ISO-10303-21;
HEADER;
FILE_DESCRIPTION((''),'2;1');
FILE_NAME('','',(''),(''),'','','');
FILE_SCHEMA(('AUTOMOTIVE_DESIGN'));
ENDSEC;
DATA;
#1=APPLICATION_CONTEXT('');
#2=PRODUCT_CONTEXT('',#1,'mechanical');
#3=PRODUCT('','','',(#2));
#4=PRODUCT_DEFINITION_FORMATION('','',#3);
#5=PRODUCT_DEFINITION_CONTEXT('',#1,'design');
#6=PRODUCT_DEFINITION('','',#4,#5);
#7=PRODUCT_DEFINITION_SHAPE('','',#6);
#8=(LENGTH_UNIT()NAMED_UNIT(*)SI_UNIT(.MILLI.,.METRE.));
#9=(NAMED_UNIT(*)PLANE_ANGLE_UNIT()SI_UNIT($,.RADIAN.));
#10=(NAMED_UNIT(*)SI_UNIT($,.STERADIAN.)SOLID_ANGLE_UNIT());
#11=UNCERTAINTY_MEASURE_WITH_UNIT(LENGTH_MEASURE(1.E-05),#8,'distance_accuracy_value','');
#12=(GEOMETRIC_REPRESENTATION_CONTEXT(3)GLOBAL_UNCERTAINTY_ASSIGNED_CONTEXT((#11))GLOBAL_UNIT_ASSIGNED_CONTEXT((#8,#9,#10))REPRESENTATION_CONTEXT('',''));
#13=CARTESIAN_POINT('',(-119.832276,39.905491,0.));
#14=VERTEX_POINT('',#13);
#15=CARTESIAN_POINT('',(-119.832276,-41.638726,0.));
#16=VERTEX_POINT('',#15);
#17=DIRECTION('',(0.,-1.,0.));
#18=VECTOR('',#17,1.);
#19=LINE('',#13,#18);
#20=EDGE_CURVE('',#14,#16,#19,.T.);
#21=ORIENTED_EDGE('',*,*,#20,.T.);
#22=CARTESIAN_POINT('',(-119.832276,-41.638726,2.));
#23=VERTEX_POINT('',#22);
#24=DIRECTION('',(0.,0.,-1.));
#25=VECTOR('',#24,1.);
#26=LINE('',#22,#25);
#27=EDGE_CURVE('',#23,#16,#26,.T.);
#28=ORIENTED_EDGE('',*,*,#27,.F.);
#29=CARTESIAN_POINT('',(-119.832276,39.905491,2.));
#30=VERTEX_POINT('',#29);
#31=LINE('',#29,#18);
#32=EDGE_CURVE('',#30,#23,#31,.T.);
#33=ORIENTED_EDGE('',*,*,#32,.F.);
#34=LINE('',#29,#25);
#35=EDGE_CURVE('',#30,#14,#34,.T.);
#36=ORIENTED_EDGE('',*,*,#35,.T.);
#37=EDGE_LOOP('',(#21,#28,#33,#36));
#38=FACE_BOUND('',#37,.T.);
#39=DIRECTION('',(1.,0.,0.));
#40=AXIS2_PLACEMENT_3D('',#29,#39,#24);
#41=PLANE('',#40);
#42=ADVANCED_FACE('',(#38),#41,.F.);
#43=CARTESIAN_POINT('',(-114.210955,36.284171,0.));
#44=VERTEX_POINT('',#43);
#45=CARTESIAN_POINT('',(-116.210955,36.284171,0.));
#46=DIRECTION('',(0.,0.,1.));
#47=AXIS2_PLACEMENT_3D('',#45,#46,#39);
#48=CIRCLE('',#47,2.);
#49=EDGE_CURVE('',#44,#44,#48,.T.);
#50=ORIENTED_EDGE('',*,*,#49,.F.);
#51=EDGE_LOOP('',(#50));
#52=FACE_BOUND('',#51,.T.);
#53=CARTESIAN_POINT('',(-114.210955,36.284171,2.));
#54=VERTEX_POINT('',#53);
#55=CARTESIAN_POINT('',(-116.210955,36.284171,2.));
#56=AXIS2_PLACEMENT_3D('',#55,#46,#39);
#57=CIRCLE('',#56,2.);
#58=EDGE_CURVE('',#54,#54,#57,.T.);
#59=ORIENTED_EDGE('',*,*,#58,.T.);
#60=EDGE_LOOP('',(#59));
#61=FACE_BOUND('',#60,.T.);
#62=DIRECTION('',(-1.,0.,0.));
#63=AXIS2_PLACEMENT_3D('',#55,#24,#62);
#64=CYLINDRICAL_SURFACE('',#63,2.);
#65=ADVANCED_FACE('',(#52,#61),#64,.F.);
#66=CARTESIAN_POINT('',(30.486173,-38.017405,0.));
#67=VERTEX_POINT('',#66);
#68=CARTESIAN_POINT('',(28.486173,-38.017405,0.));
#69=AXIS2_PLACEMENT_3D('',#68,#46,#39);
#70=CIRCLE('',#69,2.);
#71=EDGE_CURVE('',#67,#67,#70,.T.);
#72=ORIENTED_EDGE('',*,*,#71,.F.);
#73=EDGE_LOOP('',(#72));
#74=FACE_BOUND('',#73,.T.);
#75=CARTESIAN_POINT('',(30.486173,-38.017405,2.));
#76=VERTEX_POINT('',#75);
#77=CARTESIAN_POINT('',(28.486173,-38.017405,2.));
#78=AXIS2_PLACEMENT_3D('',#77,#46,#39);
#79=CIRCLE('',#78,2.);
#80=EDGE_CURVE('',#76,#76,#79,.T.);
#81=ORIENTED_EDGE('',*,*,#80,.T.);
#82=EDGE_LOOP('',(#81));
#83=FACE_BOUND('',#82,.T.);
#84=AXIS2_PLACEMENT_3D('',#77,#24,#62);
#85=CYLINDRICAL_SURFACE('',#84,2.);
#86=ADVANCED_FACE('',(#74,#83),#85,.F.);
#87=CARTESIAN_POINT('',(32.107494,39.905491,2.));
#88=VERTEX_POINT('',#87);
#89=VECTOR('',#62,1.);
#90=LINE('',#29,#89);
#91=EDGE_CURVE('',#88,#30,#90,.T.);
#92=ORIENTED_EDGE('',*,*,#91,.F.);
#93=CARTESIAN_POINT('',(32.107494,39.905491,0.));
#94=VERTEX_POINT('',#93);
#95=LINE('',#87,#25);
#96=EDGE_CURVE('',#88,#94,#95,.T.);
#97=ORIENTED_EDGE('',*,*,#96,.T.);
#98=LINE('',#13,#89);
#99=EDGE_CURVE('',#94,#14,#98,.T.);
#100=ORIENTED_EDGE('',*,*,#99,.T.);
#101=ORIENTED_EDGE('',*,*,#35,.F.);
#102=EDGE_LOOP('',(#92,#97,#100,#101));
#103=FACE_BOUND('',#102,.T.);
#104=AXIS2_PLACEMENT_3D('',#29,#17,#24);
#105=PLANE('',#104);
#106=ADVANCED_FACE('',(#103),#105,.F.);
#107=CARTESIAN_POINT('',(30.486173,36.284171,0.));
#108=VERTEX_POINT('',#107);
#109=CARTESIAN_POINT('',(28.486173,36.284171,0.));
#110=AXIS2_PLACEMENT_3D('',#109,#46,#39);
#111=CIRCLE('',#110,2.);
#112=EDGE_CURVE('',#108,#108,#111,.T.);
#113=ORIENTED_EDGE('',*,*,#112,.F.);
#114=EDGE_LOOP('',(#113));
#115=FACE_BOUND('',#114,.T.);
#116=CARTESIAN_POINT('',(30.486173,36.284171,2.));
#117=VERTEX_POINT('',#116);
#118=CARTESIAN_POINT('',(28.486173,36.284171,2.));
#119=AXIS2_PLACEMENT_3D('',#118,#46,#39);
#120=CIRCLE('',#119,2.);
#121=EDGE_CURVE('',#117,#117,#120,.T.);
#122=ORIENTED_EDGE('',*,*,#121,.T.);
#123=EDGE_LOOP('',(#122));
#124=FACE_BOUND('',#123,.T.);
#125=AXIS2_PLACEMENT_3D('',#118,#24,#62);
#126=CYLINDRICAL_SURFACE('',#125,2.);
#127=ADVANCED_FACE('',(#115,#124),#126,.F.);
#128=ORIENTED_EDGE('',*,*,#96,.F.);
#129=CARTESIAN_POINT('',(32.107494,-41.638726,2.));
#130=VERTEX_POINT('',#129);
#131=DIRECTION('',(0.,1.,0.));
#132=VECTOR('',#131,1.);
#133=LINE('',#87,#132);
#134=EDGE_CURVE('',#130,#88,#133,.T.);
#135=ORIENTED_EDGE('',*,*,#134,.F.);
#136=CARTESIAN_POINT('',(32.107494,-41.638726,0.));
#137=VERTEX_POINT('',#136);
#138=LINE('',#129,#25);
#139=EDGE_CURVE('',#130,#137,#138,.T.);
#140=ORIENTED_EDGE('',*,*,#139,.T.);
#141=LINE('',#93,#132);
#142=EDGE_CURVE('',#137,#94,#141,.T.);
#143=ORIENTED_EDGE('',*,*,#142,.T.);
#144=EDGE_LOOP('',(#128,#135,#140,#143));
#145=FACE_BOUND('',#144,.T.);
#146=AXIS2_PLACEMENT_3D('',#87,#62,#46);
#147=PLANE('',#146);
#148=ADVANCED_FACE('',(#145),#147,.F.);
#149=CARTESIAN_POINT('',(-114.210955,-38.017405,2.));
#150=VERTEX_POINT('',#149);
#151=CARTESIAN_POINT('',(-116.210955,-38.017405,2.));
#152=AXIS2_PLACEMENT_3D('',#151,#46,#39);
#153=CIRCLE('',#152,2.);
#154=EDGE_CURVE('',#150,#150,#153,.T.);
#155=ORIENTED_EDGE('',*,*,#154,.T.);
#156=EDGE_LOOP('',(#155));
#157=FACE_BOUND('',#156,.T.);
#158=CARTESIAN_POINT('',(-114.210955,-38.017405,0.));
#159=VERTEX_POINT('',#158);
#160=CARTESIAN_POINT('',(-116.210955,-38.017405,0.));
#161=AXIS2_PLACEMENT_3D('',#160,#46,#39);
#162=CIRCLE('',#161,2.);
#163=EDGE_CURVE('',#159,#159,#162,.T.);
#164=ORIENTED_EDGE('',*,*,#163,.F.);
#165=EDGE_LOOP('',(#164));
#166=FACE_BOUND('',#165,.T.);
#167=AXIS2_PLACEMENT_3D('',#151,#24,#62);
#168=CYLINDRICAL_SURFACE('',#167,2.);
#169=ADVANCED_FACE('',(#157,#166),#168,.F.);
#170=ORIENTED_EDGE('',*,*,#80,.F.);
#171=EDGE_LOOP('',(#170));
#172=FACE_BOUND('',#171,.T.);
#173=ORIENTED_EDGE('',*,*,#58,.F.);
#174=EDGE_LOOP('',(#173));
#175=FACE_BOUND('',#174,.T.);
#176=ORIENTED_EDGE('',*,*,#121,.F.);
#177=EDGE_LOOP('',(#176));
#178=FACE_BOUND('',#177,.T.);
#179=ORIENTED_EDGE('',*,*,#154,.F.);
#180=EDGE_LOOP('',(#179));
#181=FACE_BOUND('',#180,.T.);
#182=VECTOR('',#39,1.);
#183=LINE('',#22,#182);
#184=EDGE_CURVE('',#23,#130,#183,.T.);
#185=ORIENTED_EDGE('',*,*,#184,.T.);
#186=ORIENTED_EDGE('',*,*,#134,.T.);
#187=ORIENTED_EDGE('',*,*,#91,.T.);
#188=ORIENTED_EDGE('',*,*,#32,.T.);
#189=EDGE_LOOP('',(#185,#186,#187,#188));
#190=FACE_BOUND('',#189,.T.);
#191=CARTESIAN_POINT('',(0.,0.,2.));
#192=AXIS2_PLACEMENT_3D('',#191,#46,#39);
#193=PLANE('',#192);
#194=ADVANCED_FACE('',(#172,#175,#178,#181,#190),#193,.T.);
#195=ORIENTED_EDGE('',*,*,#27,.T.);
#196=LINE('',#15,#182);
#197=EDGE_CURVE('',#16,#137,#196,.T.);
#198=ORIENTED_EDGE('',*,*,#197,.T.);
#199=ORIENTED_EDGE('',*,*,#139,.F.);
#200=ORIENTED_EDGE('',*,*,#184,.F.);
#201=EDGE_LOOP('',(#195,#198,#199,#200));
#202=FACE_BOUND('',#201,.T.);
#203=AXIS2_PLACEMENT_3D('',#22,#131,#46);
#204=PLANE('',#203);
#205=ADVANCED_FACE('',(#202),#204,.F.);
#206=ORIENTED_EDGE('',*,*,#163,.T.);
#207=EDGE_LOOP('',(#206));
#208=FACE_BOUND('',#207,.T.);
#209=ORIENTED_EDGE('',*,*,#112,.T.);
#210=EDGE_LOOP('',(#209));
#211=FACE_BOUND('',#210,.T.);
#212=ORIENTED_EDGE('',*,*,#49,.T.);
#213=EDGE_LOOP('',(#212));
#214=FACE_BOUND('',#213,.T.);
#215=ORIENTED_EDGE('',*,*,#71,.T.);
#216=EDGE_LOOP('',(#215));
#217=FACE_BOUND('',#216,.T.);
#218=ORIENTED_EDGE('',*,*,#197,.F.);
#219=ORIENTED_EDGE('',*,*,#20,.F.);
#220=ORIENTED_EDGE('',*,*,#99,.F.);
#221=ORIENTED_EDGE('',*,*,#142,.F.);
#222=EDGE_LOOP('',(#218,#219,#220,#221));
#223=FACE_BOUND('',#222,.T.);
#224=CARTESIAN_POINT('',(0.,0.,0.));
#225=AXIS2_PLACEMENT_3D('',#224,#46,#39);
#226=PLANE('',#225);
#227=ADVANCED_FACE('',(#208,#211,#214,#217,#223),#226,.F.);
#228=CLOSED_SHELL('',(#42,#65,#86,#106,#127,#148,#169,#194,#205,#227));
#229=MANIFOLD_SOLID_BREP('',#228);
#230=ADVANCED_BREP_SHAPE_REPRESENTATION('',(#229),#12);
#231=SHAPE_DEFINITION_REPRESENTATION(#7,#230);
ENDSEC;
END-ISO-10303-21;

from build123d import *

# Parameters (mm, degrees)
ESQUISSE1_W        = 151.93976922
ESQUISSE1_H        = 81.544216856
ESQUISSE1_R        = 2
BOSS_EXTRU_1_DEPTH = 2


with BuildPart() as part:
    # Esquisse1 → Boss.-Extru.1 (new body)
    with BuildSketch(Plane.XY):
        with Locations((-43.862390942, -0.866617279)):
            Rectangle(ESQUISSE1_W, ESQUISSE1_H)
        with Locations((-116.210955208, 36.284170806)):
            Circle(ESQUISSE1_R, mode=Mode.SUBTRACT)
        with Locations((-116.210955208, -38.017405363)):
            Circle(ESQUISSE1_R, mode=Mode.SUBTRACT)
        with Locations((28.486173324, -38.017405363)):
            Circle(ESQUISSE1_R, mode=Mode.SUBTRACT)
        with Locations((28.486173324, 36.284170806)):
            Circle(ESQUISSE1_R, mode=Mode.SUBTRACT)
    extrude(amount=BOSS_EXTRU_1_DEPTH)


solid = part.part
